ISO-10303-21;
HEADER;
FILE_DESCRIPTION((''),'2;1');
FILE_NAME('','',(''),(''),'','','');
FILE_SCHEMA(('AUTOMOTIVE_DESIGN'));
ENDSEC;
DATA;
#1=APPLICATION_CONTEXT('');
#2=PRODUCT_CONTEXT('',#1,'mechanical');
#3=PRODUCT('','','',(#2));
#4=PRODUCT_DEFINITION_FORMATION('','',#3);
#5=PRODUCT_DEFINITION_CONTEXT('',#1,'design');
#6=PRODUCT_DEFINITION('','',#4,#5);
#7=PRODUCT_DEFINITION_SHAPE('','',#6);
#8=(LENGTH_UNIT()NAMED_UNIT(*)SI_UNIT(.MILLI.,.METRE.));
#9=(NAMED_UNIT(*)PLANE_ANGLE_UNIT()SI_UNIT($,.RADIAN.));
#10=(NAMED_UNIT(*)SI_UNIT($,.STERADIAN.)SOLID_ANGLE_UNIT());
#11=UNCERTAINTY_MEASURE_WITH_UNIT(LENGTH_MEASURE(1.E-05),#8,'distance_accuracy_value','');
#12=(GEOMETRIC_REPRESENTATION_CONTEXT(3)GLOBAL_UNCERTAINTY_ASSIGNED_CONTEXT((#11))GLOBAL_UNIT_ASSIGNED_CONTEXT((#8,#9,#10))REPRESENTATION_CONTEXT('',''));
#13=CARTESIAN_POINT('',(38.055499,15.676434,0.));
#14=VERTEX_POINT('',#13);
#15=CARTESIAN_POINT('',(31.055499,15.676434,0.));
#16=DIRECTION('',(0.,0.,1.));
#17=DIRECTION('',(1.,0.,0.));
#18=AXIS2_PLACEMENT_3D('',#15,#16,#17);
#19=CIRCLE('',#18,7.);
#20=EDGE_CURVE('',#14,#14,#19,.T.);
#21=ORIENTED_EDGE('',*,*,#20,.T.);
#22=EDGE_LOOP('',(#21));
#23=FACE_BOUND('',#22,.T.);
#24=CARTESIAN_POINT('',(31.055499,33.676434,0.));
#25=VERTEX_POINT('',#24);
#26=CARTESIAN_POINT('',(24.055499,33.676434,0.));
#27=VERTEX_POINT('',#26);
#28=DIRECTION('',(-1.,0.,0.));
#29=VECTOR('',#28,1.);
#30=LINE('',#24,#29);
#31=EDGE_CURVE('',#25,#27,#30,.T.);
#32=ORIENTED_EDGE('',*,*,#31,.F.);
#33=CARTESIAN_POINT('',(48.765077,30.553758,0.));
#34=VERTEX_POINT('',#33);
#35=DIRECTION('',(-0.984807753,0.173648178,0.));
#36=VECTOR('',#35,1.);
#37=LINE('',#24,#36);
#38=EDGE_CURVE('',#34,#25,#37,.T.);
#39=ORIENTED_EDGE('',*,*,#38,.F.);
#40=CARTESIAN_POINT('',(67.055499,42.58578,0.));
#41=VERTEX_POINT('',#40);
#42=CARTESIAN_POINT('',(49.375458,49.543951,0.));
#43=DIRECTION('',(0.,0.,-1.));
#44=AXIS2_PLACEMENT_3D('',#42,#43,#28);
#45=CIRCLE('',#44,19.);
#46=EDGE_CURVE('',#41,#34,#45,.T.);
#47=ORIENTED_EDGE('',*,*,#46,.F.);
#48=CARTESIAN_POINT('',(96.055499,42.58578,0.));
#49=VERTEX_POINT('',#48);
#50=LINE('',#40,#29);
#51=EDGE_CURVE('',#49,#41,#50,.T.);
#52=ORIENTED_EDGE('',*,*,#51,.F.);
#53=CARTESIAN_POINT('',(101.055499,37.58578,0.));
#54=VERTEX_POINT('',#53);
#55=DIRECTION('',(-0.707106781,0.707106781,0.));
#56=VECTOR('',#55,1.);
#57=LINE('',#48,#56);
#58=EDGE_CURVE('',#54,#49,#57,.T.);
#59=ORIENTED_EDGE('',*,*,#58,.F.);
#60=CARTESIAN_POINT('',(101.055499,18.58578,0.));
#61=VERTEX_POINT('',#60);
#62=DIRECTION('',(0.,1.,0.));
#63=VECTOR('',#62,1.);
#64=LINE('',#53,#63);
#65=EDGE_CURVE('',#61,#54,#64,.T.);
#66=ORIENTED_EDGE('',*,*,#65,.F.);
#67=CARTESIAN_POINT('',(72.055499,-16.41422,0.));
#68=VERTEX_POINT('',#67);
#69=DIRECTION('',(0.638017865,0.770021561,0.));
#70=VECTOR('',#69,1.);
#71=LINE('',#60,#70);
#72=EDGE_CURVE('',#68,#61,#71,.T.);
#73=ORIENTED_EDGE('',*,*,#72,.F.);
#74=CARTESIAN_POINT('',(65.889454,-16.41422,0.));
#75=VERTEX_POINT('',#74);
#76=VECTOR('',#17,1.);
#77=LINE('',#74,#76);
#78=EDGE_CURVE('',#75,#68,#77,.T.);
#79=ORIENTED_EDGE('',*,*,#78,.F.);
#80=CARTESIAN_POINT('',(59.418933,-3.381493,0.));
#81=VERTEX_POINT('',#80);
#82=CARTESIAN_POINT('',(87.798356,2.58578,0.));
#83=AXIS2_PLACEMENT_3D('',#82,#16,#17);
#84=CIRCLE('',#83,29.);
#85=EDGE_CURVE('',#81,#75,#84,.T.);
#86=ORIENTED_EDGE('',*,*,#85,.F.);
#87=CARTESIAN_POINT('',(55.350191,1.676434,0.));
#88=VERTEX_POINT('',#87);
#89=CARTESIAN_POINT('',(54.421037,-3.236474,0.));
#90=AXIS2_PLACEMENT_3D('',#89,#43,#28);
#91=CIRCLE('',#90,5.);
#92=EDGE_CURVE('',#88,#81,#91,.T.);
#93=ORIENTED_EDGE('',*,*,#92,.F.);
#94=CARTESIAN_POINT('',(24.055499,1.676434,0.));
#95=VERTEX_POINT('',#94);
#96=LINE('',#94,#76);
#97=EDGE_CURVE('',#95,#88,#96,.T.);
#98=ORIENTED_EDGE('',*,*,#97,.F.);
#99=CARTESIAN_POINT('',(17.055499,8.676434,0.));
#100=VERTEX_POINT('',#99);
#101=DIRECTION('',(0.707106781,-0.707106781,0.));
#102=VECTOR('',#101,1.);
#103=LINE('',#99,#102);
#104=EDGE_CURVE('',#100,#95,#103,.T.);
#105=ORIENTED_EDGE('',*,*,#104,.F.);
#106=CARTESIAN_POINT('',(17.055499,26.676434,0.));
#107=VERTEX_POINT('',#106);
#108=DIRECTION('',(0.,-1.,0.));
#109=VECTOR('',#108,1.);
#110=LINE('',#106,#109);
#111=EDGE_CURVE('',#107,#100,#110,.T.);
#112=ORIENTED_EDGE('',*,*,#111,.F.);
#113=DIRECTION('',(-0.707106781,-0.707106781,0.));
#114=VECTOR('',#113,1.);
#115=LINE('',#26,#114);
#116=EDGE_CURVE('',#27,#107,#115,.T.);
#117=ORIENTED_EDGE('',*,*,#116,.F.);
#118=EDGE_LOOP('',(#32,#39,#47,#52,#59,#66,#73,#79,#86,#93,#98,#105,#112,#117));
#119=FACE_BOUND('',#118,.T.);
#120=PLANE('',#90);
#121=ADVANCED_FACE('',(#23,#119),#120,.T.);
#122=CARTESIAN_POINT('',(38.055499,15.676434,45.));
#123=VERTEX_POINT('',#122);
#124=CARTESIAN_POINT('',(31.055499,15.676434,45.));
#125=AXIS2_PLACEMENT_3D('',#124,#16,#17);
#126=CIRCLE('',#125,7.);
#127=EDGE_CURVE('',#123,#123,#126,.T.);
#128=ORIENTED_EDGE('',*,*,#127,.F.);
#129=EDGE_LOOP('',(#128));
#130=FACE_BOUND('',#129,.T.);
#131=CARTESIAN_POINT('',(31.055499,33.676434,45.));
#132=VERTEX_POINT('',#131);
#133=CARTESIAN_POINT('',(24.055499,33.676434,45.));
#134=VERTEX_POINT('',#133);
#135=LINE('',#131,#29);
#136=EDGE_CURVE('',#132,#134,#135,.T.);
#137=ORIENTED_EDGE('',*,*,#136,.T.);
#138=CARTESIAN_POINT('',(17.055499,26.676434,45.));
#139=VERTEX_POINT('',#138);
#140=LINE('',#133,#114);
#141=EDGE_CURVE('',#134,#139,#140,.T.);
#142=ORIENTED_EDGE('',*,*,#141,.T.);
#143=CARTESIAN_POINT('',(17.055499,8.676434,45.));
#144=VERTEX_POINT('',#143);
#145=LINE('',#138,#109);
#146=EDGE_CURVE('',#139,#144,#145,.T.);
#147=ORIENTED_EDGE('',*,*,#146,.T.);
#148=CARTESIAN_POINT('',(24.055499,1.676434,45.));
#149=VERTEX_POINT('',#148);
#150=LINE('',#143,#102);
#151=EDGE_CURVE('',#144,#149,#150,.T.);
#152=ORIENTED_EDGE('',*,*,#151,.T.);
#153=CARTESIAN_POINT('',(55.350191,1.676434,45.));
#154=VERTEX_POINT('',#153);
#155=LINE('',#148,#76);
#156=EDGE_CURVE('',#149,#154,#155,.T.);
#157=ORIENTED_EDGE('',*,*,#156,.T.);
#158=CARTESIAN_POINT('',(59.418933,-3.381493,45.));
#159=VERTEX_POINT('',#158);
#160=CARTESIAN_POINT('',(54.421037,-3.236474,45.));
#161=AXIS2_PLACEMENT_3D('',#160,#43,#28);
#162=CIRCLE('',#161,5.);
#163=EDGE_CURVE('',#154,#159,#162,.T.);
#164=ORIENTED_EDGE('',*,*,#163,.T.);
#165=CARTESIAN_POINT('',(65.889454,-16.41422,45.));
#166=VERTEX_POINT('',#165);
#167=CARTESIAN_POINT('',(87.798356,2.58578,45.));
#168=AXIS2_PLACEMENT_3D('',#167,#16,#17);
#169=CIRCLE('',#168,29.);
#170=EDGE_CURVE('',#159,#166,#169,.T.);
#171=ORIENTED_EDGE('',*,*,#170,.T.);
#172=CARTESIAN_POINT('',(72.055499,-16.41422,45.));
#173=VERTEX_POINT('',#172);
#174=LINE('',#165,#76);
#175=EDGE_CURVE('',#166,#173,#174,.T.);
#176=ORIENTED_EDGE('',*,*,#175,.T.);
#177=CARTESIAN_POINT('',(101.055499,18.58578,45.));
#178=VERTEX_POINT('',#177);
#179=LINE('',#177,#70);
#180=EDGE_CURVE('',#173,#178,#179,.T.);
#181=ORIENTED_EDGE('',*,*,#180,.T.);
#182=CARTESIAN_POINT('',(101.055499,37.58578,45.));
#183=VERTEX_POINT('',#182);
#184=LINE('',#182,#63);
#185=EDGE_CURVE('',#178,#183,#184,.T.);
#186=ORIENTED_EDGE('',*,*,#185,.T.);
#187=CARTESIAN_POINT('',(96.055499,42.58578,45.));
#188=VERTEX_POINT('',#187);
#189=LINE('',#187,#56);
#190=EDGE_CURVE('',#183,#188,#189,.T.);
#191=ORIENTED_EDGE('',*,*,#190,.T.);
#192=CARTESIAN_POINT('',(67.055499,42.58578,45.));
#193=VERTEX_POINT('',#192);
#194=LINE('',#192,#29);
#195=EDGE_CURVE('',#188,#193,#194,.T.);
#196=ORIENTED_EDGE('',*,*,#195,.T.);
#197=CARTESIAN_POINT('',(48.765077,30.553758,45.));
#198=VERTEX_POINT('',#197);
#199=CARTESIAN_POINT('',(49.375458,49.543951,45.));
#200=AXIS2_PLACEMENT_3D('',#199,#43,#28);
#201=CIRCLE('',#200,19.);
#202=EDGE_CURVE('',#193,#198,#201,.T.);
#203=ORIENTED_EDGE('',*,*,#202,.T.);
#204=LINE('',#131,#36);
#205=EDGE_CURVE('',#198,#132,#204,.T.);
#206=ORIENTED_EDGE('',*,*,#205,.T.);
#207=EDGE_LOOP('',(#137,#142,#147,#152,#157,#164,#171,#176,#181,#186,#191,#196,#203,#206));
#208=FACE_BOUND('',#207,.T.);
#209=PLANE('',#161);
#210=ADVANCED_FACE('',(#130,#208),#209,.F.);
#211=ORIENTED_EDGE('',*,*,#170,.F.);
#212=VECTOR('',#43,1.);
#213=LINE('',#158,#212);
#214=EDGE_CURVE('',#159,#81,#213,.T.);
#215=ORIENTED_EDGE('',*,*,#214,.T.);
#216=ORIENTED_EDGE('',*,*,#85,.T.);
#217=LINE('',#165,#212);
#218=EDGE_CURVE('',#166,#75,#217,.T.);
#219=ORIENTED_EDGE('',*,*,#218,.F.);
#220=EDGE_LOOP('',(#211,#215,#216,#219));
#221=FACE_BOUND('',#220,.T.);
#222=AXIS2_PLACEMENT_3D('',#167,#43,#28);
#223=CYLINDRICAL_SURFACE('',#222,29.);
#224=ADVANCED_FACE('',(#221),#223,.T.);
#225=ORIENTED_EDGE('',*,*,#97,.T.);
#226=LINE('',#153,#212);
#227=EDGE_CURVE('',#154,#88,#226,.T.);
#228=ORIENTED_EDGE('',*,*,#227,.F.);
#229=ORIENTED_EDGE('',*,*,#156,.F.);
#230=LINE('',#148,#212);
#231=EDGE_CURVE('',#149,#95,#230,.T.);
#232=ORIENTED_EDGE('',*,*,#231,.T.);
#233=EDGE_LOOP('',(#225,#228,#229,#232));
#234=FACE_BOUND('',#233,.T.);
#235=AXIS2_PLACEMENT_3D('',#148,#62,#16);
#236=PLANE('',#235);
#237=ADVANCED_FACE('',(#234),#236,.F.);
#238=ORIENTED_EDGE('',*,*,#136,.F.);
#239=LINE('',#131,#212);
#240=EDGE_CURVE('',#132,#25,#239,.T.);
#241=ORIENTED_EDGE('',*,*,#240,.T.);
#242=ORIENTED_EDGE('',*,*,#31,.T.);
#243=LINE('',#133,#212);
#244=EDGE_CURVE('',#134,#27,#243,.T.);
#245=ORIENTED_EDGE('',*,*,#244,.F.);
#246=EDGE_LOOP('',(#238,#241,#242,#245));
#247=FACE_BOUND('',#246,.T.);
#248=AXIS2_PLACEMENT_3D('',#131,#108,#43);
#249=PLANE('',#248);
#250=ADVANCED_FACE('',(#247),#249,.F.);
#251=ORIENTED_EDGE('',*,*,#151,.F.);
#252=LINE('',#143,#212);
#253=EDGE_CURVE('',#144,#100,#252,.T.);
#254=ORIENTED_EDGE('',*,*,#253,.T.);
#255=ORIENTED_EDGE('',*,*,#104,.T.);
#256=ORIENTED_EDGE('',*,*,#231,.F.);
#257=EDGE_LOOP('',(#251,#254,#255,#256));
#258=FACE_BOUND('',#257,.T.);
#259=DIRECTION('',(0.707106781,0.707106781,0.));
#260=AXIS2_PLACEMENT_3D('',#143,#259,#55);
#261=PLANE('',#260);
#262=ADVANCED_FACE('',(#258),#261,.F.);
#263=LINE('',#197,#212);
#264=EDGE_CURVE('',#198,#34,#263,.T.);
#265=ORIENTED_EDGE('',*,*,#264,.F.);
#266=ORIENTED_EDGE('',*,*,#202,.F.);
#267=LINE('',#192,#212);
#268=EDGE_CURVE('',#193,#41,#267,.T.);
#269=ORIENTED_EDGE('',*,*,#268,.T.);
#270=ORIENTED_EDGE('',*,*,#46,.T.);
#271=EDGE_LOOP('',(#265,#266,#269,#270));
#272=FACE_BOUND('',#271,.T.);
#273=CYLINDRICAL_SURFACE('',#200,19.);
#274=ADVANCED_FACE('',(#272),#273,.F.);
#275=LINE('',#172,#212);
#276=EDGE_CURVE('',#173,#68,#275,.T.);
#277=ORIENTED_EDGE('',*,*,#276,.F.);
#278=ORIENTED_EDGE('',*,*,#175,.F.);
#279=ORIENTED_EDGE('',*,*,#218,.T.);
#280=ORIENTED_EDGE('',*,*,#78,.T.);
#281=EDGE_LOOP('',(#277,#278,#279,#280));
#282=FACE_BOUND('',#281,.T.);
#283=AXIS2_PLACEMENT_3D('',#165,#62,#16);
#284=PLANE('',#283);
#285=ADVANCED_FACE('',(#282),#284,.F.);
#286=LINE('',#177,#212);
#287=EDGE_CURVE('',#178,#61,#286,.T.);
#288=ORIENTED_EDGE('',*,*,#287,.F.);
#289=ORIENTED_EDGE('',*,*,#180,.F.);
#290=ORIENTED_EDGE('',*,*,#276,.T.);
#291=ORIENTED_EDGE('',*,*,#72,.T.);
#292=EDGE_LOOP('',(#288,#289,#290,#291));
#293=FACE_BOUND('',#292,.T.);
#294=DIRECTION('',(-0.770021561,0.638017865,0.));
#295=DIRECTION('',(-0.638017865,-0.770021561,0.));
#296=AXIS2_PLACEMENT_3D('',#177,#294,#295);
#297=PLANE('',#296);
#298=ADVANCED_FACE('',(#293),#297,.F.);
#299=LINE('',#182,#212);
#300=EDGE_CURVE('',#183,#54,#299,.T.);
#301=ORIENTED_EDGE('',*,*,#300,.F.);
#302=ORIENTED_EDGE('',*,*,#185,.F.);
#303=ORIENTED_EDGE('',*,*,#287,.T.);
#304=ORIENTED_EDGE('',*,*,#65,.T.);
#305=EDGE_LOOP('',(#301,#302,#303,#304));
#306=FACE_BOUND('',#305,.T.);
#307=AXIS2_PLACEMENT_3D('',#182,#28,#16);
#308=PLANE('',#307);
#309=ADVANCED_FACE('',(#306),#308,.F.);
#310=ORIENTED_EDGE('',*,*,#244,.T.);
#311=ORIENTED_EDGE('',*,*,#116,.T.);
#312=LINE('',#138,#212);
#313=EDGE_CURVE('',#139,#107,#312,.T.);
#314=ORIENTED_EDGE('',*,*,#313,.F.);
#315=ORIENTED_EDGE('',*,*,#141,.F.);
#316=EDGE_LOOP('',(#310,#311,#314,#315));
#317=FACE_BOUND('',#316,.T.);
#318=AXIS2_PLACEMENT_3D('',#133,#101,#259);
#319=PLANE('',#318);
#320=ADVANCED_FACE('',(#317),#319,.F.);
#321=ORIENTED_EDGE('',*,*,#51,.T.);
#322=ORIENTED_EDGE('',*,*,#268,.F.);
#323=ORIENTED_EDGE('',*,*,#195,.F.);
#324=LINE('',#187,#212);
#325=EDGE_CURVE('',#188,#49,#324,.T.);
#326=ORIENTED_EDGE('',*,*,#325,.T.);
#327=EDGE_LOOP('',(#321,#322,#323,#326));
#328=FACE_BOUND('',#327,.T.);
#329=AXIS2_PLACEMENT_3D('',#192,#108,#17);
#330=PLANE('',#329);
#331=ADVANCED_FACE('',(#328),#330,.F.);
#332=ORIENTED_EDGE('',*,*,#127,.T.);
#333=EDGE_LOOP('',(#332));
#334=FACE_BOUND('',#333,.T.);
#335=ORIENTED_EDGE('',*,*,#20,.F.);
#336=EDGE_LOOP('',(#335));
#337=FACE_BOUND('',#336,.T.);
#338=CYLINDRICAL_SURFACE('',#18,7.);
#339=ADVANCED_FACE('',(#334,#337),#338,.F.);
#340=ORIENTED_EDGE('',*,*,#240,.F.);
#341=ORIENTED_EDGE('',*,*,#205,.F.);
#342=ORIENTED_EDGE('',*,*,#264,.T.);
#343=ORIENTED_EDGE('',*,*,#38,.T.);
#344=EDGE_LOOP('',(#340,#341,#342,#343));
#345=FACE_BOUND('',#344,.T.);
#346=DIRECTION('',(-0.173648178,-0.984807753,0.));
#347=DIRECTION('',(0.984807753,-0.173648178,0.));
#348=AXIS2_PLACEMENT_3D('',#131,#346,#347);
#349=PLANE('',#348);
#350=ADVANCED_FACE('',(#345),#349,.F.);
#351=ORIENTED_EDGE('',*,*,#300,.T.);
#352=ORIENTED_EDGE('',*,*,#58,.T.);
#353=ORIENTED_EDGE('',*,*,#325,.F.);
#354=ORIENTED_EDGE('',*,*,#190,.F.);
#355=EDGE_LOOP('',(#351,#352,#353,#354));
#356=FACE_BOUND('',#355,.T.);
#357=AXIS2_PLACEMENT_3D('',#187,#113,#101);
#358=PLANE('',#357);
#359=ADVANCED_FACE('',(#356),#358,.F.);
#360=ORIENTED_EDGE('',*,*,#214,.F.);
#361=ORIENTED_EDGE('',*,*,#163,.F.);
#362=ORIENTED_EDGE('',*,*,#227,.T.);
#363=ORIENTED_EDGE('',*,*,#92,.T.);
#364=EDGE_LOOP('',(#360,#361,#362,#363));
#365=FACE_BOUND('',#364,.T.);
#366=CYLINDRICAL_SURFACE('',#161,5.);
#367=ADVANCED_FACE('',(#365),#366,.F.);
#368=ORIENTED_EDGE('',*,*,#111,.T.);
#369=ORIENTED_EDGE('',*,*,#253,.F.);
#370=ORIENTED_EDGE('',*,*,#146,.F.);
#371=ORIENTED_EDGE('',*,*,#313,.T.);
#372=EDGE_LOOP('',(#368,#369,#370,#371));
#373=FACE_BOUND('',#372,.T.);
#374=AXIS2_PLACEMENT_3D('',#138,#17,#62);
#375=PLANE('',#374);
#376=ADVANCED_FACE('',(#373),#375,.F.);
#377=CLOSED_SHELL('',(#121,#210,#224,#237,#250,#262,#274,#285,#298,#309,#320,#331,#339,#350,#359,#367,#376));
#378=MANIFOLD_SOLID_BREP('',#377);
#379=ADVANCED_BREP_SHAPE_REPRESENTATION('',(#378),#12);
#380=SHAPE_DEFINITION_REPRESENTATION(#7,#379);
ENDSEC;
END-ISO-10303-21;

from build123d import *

# Parameters (mm, degrees)
BOSS_EXTRU_1_DEPTH      = 45
ESQUISSE2_R             = 7
ENL_V_MAT_EXTRU_1_DEPTH = 45


with BuildPart() as part:
    # Esquisse1 → Boss.-Extru.1 (new body)
    with BuildSketch(Plane.XY):
        with BuildLine():
            Line((67.055498862, 42.585779817), (96.055498862, 42.585779817))
            Line((96.055498862, 42.585779817), (101.055498862, 37.585779817))
            Line((101.055498862, 37.585779817), (101.055498862, 18.585779817))
            Line((101.055498862, 18.585779817), (72.055498862, -16.414220183))
            Line((72.055498862, -16.414220183), (65.889453705, -16.414220183))
            ThreePointArc((65.889453705, -16.414220183), (61.82352383, -10.310269713), (59.418933012, -3.381493479))
            ThreePointArc((59.418933012, -3.381493479), (58.316949941, -0.102489997), (55.350190939, 1.676434271))
            Line((55.350190939, 1.676434271), (24.055498862, 1.676434271))
            Line((24.055498862, 1.676434271), (17.055498862, 8.676434271))
            Line((17.055498862, 8.676434271), (17.055498862, 26.676434271))
            Line((17.055498862, 26.676434271), (24.055498862, 33.676434271))
            Line((24.055498862, 33.676434271), (31.055498862, 33.676434271))
            Line((31.055498862, 33.676434271), (48.765077496, 30.553757741))
            ThreePointArc((48.765077496, 30.553757741), (59.817474753, 33.670568141), (67.055498862, 42.585779817))
        make_face()
    extrude(amount=BOSS_EXTRU_1_DEPTH)

    # Esquisse2 → Enlèv. mat.-Extru.1 (cut)
    with BuildSketch(Plane.XY.offset(45)):
        with Locations((31.055498862, 15.676434271)):
            Circle(ESQUISSE2_R)
    extrude(amount=-ENL_V_MAT_EXTRU_1_DEPTH, mode=Mode.SUBTRACT)


solid = part.part
